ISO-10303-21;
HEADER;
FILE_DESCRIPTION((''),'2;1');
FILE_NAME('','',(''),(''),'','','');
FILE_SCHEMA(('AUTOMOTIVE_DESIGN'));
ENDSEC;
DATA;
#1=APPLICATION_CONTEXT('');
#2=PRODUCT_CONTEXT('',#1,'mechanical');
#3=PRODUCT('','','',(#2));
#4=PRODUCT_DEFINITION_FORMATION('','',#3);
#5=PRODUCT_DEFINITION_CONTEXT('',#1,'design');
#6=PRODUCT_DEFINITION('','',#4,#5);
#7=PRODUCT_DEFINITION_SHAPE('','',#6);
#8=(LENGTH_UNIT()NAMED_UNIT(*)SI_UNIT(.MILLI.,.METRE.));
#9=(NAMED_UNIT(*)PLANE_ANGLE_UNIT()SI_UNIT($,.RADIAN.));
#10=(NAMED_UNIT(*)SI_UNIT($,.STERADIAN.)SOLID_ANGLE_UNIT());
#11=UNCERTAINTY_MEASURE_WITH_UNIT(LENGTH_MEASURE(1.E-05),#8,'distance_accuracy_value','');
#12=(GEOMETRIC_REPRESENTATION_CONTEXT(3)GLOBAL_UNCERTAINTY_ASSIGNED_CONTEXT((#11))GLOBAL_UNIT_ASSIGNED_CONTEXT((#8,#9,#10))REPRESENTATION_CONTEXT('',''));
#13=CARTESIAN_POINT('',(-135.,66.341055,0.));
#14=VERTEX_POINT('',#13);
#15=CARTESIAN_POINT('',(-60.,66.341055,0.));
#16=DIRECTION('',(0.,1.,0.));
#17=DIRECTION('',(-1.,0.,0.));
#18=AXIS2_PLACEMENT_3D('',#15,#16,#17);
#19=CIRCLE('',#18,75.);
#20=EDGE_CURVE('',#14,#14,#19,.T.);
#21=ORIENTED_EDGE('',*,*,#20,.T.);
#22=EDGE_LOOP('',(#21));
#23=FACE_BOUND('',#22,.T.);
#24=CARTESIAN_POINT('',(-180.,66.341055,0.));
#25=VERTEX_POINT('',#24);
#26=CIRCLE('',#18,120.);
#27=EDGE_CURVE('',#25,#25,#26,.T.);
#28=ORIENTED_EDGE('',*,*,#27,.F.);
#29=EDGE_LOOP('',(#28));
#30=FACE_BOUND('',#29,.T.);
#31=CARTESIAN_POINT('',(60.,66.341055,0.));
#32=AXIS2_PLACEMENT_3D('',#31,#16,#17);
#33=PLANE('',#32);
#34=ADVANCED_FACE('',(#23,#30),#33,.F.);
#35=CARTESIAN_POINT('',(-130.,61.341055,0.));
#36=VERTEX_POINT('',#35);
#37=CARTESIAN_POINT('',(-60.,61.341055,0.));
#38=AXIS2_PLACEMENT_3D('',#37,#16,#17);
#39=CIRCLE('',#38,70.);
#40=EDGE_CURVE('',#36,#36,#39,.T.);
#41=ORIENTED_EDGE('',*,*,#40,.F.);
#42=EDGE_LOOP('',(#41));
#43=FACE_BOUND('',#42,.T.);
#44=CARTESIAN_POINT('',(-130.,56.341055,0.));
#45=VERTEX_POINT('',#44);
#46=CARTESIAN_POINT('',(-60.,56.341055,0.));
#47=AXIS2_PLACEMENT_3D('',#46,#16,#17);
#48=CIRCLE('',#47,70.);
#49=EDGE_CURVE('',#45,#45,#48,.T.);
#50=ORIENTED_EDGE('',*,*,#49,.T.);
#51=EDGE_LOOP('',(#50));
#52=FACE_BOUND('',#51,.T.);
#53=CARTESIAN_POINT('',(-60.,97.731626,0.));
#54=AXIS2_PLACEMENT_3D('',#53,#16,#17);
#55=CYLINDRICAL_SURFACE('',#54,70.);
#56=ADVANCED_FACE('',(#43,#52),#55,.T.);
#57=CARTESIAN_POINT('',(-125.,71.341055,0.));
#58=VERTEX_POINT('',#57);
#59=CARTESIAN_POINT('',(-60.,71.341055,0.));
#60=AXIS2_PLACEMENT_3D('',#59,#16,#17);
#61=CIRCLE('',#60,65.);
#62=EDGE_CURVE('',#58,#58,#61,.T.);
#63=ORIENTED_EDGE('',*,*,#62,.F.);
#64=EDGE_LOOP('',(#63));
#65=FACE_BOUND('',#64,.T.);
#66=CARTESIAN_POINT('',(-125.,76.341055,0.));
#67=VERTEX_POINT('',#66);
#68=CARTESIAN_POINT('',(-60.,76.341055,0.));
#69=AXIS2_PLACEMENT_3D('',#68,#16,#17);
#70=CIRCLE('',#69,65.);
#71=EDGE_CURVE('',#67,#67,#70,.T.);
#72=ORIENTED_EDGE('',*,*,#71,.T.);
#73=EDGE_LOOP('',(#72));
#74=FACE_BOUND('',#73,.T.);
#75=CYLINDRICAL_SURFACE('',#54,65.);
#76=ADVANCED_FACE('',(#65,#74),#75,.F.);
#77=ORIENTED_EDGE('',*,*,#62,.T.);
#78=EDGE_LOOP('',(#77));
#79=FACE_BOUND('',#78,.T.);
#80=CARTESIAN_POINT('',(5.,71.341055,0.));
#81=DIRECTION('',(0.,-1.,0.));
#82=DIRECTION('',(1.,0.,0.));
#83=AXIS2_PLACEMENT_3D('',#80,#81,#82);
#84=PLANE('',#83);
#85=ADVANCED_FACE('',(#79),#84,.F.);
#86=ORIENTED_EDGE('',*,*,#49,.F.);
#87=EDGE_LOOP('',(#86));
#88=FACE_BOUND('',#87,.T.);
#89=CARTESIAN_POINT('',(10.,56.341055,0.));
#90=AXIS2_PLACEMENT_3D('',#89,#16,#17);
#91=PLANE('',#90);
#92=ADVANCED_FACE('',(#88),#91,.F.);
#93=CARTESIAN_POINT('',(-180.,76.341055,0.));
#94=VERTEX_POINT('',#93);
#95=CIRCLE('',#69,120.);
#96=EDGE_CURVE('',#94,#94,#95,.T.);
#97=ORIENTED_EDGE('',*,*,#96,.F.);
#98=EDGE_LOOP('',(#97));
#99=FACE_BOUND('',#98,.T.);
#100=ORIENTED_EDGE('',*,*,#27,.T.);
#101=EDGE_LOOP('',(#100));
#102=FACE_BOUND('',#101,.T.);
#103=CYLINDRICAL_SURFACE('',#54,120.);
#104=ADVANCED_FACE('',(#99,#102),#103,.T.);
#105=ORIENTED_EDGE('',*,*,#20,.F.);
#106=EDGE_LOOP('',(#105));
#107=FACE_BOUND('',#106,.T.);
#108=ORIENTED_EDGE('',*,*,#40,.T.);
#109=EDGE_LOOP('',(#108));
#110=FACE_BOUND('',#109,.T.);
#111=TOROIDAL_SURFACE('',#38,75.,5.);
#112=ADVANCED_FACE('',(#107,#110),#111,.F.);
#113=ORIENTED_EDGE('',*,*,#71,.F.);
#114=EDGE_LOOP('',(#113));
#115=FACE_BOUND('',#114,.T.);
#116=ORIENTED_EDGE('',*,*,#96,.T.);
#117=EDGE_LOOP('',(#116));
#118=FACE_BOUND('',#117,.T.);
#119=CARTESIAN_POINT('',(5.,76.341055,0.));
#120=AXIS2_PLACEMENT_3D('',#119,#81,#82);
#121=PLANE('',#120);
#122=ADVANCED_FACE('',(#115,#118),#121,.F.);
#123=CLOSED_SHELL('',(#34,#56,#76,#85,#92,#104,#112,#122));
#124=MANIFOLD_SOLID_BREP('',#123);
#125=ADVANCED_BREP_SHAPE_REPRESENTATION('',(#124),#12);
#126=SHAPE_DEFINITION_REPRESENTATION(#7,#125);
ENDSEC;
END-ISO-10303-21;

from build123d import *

# Parameters (mm, degrees)
SKETCH1_W = 60
SKETCH1_H = 15


with BuildPart() as part:
    # Эскиз1 → Revolve 449 (revolve)
    with BuildSketch(Plane.XY, mode=Mode.PRIVATE) as revolve_449_sk:
        with BuildLine():
            Line((5, 76.341055046), (60, 76.341055046))
            Line((60, 76.341055046), (60, 66.341055046))
            Line((60, 66.341055046), (15, 66.341055046))
            ThreePointArc((15, 66.341055046), (11.464466094, 64.876588952), (10, 61.341055046))
            Line((10, 61.341055046), (10, 56.341055046))
            Line((10, 56.341055046), (0, 56.341055046))
            Line((0, 56.341055046), (0, 71.341055046))
            Line((0, 71.341055046), (5, 71.341055046))
            Line((5, 71.341055046), (5, 76.341055046))
        make_face()
    revolve(revolve_449_sk.sketch.rotate(Axis((-60, 97.731625762, 0), (0, -1, 0)), 180), axis=Axis((-60, 97.731625762, 0), (0, -1, 0)))

    # Sketch1 → Revolve1 (revolve)
    with BuildSketch(Plane.XY):
        with Locations((-30, 63.841055046)):
            Rectangle(SKETCH1_W, SKETCH1_H)
    revolve(axis=Axis((-60, 66.341055046, 0), (0, 1, 0)))


solid = part.part
